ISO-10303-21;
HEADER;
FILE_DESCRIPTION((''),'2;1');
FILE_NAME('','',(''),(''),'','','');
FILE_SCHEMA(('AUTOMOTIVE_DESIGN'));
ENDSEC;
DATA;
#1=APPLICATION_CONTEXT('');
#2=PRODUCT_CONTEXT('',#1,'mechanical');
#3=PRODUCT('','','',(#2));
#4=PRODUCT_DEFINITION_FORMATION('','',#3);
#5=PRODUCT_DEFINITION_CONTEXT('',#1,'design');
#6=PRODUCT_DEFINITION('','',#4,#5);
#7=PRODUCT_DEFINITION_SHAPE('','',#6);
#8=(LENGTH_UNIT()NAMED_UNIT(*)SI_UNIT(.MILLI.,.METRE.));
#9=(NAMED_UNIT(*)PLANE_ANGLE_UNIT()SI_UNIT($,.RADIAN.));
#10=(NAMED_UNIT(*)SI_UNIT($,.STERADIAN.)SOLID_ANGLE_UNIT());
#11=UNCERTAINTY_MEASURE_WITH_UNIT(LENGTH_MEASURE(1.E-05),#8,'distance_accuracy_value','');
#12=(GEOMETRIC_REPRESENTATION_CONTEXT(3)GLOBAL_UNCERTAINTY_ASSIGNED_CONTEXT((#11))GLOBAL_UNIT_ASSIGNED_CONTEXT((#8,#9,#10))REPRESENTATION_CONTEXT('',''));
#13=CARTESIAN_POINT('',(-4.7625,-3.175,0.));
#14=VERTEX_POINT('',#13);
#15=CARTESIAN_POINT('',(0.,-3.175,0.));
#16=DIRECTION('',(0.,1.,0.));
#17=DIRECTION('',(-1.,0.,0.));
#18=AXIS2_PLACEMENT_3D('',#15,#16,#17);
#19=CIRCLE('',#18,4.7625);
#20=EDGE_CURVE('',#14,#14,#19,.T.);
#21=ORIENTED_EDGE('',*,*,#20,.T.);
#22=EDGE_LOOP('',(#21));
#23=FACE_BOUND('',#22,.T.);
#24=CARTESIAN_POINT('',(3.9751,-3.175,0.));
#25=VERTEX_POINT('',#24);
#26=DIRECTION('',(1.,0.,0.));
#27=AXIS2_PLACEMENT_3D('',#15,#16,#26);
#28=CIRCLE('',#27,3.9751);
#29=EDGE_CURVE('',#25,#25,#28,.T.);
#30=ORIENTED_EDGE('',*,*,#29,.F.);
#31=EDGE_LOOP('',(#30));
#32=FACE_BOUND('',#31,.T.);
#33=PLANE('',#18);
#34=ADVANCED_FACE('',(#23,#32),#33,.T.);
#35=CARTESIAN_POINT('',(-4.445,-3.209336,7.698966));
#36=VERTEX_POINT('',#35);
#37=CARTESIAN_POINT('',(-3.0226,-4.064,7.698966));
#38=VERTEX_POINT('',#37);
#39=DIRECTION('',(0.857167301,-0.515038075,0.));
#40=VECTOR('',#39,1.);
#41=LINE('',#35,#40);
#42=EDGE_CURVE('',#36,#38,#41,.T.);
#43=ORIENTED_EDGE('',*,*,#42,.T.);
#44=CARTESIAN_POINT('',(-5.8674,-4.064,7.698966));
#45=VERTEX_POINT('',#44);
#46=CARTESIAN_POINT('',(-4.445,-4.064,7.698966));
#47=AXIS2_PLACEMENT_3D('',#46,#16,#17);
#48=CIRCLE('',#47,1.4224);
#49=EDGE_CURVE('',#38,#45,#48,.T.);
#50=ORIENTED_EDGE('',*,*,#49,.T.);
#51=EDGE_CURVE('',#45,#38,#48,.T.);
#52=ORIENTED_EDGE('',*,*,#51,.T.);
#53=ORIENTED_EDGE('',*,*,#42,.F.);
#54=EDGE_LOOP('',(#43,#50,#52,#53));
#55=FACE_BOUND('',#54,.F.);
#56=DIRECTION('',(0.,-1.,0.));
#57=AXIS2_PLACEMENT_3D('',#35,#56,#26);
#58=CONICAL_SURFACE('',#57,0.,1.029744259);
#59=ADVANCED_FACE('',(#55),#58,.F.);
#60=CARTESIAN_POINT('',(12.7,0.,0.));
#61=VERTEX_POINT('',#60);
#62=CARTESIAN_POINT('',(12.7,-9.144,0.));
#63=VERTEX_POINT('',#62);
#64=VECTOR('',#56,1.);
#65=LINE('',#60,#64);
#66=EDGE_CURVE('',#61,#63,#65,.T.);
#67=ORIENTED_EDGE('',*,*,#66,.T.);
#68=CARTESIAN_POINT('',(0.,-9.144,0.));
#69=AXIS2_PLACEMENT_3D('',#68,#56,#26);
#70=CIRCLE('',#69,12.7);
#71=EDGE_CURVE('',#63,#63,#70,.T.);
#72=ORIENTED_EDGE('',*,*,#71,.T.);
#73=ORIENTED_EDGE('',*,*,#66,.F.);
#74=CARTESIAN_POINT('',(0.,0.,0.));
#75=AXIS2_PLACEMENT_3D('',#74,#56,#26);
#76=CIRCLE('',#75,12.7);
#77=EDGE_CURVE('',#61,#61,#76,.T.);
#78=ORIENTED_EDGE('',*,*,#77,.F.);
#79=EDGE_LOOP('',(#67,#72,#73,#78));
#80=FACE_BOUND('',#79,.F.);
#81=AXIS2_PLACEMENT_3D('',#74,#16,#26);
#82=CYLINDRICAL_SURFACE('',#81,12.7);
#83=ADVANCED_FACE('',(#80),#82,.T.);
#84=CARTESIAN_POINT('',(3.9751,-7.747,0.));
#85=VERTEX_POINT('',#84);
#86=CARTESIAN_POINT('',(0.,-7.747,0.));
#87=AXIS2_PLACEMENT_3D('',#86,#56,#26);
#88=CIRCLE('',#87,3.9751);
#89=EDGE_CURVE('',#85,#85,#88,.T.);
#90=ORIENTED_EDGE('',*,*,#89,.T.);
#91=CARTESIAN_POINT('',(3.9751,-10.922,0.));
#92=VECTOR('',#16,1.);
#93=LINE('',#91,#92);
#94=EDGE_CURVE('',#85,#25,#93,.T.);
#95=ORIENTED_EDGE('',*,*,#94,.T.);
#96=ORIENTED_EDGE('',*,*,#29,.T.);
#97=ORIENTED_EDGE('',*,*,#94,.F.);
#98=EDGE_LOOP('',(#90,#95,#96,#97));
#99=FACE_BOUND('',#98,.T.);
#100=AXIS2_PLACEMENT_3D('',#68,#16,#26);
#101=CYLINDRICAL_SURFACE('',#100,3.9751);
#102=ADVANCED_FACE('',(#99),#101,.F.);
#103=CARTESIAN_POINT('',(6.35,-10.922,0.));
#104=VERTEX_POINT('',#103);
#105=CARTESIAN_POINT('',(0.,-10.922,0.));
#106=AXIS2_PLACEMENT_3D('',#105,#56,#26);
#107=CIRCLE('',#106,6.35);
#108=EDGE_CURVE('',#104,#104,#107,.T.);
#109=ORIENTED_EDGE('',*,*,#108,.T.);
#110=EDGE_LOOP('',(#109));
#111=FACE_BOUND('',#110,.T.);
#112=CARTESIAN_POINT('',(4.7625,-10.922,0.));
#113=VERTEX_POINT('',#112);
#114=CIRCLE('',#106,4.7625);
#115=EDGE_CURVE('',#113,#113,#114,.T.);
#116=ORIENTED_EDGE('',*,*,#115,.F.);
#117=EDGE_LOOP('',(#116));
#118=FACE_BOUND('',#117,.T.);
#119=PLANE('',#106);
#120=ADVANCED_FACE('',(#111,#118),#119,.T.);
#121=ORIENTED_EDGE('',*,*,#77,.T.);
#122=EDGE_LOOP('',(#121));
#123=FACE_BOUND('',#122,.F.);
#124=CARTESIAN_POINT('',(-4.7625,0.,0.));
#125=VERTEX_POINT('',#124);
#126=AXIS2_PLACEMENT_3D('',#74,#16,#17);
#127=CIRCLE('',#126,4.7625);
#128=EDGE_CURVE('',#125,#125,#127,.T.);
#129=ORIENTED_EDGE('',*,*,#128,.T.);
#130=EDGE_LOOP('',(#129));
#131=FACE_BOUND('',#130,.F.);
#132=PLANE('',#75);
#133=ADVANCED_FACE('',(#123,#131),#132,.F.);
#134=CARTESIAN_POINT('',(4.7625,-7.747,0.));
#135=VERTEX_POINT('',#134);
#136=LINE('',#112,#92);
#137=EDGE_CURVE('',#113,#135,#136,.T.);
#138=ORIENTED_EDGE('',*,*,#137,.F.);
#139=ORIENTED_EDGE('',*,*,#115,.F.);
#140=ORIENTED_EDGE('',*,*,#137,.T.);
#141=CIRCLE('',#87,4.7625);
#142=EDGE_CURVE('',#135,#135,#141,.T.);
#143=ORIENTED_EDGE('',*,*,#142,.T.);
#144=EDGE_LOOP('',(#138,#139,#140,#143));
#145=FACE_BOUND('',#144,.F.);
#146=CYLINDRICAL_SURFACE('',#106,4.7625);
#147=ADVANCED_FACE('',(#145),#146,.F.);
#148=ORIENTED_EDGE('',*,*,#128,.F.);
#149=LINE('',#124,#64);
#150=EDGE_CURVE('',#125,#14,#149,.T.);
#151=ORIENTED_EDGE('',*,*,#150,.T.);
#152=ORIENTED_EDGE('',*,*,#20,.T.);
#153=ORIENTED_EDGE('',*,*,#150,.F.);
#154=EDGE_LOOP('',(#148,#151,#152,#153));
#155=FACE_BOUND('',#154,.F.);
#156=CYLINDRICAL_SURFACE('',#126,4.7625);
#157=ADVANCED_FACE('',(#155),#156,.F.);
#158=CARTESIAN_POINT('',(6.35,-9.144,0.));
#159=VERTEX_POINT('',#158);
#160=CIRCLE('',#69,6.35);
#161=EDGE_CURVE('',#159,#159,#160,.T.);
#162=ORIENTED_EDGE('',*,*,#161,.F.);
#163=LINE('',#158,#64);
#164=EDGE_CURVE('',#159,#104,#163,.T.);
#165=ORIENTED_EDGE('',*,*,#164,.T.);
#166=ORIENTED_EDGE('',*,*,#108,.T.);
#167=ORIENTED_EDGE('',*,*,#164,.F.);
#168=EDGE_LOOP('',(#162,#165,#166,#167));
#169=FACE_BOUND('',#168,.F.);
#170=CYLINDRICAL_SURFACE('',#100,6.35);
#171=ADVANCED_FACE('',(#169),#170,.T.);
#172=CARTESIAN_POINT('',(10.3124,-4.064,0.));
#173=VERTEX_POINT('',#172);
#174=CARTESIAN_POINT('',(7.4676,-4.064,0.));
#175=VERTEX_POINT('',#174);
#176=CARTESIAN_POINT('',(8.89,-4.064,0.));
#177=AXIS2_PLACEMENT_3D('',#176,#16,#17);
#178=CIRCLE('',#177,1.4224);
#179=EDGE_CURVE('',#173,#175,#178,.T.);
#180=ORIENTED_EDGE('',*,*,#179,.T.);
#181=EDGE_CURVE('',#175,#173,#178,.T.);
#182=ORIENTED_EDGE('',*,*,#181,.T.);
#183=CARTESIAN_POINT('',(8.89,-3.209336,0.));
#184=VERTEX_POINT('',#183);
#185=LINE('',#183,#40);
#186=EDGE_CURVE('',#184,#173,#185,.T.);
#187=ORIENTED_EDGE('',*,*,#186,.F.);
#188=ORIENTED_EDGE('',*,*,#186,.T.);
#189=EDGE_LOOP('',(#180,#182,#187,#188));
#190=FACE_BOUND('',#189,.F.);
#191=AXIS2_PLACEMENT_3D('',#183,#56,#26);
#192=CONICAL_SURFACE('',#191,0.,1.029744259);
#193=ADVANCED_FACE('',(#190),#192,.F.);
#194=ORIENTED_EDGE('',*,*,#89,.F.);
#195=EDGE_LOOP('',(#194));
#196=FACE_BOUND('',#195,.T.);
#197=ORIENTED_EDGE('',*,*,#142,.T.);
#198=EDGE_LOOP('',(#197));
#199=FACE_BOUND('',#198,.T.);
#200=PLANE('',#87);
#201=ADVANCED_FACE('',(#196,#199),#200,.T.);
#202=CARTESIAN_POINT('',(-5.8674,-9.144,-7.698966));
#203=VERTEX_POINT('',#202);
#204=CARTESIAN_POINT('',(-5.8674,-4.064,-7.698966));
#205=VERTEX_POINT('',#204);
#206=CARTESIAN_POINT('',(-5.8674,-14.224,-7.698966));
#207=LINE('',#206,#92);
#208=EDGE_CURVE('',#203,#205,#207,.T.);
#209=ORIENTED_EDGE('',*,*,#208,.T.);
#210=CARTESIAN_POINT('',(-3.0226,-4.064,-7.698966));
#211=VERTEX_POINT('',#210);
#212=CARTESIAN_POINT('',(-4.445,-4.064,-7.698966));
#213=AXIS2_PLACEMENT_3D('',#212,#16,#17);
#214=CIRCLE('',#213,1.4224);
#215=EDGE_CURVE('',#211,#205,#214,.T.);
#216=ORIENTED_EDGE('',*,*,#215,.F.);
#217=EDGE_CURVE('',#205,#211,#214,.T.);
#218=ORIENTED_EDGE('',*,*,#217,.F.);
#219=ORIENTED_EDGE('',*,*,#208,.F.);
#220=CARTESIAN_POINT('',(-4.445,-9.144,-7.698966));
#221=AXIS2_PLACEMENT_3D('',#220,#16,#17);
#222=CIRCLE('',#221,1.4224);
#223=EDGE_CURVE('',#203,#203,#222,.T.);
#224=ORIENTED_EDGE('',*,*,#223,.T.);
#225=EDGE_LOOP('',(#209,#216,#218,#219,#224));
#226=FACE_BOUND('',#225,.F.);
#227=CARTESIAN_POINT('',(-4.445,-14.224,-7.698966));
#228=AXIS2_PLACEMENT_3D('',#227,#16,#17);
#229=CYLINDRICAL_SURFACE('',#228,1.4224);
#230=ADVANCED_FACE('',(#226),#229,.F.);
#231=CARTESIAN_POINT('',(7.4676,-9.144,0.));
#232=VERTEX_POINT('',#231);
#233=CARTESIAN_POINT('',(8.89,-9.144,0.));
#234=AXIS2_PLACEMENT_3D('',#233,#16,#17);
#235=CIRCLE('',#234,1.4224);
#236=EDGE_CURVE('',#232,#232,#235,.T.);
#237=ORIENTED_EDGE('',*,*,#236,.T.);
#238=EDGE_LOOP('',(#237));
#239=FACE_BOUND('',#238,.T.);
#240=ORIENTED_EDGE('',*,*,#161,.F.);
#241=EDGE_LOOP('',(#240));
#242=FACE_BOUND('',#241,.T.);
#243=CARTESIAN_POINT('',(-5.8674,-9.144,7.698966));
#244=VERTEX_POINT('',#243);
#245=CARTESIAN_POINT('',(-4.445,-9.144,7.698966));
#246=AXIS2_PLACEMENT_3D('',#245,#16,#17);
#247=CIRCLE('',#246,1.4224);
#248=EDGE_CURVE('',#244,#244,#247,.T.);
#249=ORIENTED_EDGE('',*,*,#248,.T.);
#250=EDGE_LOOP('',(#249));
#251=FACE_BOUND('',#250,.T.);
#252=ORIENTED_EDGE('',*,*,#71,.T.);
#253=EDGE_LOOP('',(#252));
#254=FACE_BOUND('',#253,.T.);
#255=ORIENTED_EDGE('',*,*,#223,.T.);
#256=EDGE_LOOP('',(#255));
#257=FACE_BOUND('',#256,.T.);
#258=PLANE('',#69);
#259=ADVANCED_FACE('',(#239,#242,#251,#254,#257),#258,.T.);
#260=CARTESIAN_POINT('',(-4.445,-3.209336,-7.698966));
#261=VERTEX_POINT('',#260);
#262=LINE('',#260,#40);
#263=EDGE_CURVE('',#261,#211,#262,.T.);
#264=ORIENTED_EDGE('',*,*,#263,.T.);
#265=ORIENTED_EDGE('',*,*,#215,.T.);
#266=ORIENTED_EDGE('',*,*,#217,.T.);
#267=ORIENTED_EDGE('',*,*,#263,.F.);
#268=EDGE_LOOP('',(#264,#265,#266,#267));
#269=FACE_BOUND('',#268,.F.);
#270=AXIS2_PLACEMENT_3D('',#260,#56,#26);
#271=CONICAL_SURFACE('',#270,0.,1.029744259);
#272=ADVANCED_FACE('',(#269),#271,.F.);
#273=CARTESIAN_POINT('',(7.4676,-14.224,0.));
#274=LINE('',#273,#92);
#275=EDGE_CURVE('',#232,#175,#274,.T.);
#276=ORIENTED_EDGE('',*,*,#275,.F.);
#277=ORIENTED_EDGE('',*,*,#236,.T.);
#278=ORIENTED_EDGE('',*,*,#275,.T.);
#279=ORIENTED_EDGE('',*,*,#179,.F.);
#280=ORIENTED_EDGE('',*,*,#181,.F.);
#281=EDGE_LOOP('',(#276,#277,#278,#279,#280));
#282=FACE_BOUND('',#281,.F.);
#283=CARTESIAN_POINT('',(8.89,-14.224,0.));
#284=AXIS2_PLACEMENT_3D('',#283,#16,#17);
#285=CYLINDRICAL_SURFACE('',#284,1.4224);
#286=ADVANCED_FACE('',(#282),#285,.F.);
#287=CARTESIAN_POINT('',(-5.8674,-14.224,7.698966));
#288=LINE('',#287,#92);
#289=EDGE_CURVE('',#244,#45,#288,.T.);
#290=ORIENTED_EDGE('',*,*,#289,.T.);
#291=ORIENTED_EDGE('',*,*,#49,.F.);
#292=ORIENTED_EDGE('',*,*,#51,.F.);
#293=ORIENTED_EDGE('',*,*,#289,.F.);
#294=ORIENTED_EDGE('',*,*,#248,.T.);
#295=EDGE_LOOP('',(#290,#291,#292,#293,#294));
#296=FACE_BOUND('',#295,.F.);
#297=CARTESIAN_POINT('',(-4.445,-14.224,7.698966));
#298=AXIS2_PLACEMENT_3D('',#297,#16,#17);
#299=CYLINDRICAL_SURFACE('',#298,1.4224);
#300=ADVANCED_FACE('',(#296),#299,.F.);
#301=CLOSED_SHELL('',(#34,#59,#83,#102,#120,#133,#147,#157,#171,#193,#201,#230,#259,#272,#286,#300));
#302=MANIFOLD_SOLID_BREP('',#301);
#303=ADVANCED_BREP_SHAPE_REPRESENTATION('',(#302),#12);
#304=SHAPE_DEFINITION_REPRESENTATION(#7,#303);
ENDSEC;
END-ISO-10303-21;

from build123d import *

# Parameters (mm, degrees)
F0_R     = 12.7
F0_R_2   = 3.9751
F1_DEPTH = 9.144
F2_R     = 6.35
F2_R_2   = 3.9751
F3_DEPTH = 1.778
F4_R     = 4.7625
F4_R_2   = 3.9751
F5_DEPTH = 3.175
F6_R     = 4.7625
F6_R_2   = 3.9751
F7_DEPTH = 3.175
F9_D     = 2.8448
F9_DEPTH = 5.08
F9_TIP   = 0.8546641445


with BuildPart() as f1:
    # F0 (on Front) → F1 (new body)
    with BuildSketch(Plane.XZ):
        Circle(F0_R)
        Circle(F0_R_2, mode=Mode.SUBTRACT)
    extrude(amount=F1_DEPTH)

    # F2 (on face) → F3 (join)
    with BuildSketch(Plane.XZ.offset(9.144)):
        Circle(F2_R)
        Circle(F2_R_2, mode=Mode.SUBTRACT)
    extrude(amount=F3_DEPTH)

    # F4 (on face) → F5 (cut)
    with BuildSketch(Plane.XZ.offset(10.922)):
        Circle(F4_R)
        Circle(F4_R_2, mode=Mode.SUBTRACT)
    extrude(amount=-F5_DEPTH, mode=Mode.SUBTRACT)

    # F6 (on face) → F7 (cut)
    with BuildSketch(Plane(origin=(0, 0, 0), x_dir=(-1, 0, 0), z_dir=(0, 1, 0))):
        Circle(F6_R)
        Circle(F6_R_2, mode=Mode.SUBTRACT)
    extrude(amount=-F7_DEPTH, mode=Mode.SUBTRACT)

    # F9
    with Locations(Plane.XZ.offset(9.144)):
        with Locations((8.89, 0), (-4.445, 7.6989658396), (-4.445, -7.6989658396)):
            Hole(F9_D / 2, depth=F9_DEPTH)
            with Locations((0, 0, -(F9_DEPTH + F9_TIP / 2))):  # 118° drill point
                Cone(0, F9_D / 2, F9_TIP, mode=Mode.SUBTRACT)


solid = f1.part
